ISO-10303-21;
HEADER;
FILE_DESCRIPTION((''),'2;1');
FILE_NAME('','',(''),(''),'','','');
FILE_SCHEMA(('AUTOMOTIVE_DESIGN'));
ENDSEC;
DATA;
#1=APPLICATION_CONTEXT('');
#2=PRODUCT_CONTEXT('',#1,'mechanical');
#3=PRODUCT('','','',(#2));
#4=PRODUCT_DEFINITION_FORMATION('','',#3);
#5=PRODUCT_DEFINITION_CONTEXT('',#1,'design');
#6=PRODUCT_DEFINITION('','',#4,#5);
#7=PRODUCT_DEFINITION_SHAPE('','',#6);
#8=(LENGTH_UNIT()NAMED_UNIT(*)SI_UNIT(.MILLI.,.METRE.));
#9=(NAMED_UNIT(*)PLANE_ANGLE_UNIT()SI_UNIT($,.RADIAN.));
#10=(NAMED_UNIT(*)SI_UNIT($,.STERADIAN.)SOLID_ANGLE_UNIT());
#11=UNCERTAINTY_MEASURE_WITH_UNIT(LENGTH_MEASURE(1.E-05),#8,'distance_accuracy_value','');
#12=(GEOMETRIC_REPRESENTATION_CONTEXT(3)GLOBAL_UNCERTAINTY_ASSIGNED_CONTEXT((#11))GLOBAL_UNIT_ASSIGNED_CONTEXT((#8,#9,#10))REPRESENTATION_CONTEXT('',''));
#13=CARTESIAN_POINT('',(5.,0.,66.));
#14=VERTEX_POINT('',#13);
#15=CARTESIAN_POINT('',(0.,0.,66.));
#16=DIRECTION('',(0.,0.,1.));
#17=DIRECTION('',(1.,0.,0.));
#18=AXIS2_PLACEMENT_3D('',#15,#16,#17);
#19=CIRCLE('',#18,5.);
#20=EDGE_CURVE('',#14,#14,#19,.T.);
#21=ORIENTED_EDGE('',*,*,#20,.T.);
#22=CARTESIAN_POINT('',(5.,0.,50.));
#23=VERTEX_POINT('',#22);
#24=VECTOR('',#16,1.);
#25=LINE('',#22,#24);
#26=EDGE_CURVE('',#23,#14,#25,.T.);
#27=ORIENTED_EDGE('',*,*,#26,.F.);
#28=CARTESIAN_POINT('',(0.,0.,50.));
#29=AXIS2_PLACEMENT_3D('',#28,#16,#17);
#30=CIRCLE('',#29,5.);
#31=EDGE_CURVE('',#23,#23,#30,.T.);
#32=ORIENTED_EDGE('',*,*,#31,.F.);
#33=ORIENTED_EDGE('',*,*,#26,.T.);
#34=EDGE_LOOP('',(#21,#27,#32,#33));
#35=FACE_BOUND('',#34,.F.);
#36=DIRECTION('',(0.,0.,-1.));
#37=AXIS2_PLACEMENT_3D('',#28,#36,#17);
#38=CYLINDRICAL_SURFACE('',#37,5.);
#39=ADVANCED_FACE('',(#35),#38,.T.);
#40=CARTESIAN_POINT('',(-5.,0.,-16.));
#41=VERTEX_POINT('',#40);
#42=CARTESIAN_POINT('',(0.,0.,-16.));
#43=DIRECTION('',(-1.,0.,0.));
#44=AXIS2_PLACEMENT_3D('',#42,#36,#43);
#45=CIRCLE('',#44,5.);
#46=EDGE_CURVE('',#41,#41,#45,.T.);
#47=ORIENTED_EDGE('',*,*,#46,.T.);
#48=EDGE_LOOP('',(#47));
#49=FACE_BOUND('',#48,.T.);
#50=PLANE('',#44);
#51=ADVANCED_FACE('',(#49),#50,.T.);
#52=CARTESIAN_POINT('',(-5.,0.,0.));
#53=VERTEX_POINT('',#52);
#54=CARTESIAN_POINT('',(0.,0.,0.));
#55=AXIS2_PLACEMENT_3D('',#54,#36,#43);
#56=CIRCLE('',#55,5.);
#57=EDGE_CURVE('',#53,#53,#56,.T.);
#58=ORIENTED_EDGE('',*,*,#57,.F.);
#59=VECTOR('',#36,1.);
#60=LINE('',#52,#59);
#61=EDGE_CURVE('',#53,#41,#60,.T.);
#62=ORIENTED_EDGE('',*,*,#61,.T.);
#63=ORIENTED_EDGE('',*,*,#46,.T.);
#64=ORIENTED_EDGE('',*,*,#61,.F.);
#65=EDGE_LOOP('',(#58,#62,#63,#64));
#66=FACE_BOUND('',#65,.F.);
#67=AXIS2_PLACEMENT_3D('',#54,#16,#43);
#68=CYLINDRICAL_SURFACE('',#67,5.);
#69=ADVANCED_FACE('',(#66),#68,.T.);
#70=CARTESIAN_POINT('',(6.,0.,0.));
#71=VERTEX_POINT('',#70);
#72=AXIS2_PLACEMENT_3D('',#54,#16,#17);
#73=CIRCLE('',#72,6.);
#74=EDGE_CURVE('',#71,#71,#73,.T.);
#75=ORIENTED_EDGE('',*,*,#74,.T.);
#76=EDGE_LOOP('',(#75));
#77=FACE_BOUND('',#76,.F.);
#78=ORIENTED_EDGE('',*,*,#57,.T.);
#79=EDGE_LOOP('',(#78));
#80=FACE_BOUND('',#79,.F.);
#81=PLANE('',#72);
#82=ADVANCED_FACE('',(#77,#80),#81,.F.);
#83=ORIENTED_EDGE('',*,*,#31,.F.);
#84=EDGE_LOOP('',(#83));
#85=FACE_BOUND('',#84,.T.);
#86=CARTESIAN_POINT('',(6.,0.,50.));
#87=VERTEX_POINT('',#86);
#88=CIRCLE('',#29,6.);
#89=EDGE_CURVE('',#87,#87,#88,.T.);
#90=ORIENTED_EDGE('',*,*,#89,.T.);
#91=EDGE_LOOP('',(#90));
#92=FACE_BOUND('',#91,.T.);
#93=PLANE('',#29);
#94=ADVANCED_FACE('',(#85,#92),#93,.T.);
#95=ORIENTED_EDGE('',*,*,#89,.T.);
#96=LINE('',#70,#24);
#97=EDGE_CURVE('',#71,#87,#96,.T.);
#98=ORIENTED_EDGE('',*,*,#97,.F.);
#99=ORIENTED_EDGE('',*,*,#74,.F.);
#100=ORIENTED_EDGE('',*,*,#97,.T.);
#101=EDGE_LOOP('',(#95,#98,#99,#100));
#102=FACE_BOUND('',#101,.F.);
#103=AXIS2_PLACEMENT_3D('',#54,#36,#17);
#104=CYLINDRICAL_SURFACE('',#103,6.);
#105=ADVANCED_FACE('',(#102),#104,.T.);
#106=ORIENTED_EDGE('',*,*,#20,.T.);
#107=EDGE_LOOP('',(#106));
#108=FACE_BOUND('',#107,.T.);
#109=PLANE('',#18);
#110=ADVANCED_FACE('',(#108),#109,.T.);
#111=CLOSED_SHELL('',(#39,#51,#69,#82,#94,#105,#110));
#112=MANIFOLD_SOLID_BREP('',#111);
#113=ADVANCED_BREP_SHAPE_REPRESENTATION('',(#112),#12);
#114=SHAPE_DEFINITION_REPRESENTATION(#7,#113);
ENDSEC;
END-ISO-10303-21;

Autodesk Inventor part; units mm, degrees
ref_plane "YZ Plane" through (0, 0, 0) normal (1, 0, 0) x (0, 1, 0)
ref_plane "XZ Plane" through (0, 0, 0) normal (0, 1, 0) x (-1, 0, 0)
ref_plane "XY Plane" through (0, 0, 0) normal (0, 0, 1) x (1, 0, 0)
sketch "Sketch1" plane through (0, 0, 0) normal (0, 0, 1) x (1, 0, 0)
  circle A0 centre (0, 0) radius 6
  dimension "d0" = 12
extrude "Extrusion1" add sketch "Sketch1" along normal blind 50
sketch "Sketch2" plane through (0, 0, 50) normal (0, 0, 1) x (1, 0, 0)
  circle A0 centre (0, 0) radius 5
  dimension "d3" = 10
extrude "Extrusion2" add sketch "Sketch2" along normal blind 16
sketch "Sketch3" plane through (0, 0, 0) normal (0, 0, -1) x (-1, 0, 0)
  circle A0 centre (0, 0) radius 5
  dimension "d6" = 10
extrude "Extrusion3" add sketch "Sketch3" along normal blind 16
properties part number "4 - Part 4"
